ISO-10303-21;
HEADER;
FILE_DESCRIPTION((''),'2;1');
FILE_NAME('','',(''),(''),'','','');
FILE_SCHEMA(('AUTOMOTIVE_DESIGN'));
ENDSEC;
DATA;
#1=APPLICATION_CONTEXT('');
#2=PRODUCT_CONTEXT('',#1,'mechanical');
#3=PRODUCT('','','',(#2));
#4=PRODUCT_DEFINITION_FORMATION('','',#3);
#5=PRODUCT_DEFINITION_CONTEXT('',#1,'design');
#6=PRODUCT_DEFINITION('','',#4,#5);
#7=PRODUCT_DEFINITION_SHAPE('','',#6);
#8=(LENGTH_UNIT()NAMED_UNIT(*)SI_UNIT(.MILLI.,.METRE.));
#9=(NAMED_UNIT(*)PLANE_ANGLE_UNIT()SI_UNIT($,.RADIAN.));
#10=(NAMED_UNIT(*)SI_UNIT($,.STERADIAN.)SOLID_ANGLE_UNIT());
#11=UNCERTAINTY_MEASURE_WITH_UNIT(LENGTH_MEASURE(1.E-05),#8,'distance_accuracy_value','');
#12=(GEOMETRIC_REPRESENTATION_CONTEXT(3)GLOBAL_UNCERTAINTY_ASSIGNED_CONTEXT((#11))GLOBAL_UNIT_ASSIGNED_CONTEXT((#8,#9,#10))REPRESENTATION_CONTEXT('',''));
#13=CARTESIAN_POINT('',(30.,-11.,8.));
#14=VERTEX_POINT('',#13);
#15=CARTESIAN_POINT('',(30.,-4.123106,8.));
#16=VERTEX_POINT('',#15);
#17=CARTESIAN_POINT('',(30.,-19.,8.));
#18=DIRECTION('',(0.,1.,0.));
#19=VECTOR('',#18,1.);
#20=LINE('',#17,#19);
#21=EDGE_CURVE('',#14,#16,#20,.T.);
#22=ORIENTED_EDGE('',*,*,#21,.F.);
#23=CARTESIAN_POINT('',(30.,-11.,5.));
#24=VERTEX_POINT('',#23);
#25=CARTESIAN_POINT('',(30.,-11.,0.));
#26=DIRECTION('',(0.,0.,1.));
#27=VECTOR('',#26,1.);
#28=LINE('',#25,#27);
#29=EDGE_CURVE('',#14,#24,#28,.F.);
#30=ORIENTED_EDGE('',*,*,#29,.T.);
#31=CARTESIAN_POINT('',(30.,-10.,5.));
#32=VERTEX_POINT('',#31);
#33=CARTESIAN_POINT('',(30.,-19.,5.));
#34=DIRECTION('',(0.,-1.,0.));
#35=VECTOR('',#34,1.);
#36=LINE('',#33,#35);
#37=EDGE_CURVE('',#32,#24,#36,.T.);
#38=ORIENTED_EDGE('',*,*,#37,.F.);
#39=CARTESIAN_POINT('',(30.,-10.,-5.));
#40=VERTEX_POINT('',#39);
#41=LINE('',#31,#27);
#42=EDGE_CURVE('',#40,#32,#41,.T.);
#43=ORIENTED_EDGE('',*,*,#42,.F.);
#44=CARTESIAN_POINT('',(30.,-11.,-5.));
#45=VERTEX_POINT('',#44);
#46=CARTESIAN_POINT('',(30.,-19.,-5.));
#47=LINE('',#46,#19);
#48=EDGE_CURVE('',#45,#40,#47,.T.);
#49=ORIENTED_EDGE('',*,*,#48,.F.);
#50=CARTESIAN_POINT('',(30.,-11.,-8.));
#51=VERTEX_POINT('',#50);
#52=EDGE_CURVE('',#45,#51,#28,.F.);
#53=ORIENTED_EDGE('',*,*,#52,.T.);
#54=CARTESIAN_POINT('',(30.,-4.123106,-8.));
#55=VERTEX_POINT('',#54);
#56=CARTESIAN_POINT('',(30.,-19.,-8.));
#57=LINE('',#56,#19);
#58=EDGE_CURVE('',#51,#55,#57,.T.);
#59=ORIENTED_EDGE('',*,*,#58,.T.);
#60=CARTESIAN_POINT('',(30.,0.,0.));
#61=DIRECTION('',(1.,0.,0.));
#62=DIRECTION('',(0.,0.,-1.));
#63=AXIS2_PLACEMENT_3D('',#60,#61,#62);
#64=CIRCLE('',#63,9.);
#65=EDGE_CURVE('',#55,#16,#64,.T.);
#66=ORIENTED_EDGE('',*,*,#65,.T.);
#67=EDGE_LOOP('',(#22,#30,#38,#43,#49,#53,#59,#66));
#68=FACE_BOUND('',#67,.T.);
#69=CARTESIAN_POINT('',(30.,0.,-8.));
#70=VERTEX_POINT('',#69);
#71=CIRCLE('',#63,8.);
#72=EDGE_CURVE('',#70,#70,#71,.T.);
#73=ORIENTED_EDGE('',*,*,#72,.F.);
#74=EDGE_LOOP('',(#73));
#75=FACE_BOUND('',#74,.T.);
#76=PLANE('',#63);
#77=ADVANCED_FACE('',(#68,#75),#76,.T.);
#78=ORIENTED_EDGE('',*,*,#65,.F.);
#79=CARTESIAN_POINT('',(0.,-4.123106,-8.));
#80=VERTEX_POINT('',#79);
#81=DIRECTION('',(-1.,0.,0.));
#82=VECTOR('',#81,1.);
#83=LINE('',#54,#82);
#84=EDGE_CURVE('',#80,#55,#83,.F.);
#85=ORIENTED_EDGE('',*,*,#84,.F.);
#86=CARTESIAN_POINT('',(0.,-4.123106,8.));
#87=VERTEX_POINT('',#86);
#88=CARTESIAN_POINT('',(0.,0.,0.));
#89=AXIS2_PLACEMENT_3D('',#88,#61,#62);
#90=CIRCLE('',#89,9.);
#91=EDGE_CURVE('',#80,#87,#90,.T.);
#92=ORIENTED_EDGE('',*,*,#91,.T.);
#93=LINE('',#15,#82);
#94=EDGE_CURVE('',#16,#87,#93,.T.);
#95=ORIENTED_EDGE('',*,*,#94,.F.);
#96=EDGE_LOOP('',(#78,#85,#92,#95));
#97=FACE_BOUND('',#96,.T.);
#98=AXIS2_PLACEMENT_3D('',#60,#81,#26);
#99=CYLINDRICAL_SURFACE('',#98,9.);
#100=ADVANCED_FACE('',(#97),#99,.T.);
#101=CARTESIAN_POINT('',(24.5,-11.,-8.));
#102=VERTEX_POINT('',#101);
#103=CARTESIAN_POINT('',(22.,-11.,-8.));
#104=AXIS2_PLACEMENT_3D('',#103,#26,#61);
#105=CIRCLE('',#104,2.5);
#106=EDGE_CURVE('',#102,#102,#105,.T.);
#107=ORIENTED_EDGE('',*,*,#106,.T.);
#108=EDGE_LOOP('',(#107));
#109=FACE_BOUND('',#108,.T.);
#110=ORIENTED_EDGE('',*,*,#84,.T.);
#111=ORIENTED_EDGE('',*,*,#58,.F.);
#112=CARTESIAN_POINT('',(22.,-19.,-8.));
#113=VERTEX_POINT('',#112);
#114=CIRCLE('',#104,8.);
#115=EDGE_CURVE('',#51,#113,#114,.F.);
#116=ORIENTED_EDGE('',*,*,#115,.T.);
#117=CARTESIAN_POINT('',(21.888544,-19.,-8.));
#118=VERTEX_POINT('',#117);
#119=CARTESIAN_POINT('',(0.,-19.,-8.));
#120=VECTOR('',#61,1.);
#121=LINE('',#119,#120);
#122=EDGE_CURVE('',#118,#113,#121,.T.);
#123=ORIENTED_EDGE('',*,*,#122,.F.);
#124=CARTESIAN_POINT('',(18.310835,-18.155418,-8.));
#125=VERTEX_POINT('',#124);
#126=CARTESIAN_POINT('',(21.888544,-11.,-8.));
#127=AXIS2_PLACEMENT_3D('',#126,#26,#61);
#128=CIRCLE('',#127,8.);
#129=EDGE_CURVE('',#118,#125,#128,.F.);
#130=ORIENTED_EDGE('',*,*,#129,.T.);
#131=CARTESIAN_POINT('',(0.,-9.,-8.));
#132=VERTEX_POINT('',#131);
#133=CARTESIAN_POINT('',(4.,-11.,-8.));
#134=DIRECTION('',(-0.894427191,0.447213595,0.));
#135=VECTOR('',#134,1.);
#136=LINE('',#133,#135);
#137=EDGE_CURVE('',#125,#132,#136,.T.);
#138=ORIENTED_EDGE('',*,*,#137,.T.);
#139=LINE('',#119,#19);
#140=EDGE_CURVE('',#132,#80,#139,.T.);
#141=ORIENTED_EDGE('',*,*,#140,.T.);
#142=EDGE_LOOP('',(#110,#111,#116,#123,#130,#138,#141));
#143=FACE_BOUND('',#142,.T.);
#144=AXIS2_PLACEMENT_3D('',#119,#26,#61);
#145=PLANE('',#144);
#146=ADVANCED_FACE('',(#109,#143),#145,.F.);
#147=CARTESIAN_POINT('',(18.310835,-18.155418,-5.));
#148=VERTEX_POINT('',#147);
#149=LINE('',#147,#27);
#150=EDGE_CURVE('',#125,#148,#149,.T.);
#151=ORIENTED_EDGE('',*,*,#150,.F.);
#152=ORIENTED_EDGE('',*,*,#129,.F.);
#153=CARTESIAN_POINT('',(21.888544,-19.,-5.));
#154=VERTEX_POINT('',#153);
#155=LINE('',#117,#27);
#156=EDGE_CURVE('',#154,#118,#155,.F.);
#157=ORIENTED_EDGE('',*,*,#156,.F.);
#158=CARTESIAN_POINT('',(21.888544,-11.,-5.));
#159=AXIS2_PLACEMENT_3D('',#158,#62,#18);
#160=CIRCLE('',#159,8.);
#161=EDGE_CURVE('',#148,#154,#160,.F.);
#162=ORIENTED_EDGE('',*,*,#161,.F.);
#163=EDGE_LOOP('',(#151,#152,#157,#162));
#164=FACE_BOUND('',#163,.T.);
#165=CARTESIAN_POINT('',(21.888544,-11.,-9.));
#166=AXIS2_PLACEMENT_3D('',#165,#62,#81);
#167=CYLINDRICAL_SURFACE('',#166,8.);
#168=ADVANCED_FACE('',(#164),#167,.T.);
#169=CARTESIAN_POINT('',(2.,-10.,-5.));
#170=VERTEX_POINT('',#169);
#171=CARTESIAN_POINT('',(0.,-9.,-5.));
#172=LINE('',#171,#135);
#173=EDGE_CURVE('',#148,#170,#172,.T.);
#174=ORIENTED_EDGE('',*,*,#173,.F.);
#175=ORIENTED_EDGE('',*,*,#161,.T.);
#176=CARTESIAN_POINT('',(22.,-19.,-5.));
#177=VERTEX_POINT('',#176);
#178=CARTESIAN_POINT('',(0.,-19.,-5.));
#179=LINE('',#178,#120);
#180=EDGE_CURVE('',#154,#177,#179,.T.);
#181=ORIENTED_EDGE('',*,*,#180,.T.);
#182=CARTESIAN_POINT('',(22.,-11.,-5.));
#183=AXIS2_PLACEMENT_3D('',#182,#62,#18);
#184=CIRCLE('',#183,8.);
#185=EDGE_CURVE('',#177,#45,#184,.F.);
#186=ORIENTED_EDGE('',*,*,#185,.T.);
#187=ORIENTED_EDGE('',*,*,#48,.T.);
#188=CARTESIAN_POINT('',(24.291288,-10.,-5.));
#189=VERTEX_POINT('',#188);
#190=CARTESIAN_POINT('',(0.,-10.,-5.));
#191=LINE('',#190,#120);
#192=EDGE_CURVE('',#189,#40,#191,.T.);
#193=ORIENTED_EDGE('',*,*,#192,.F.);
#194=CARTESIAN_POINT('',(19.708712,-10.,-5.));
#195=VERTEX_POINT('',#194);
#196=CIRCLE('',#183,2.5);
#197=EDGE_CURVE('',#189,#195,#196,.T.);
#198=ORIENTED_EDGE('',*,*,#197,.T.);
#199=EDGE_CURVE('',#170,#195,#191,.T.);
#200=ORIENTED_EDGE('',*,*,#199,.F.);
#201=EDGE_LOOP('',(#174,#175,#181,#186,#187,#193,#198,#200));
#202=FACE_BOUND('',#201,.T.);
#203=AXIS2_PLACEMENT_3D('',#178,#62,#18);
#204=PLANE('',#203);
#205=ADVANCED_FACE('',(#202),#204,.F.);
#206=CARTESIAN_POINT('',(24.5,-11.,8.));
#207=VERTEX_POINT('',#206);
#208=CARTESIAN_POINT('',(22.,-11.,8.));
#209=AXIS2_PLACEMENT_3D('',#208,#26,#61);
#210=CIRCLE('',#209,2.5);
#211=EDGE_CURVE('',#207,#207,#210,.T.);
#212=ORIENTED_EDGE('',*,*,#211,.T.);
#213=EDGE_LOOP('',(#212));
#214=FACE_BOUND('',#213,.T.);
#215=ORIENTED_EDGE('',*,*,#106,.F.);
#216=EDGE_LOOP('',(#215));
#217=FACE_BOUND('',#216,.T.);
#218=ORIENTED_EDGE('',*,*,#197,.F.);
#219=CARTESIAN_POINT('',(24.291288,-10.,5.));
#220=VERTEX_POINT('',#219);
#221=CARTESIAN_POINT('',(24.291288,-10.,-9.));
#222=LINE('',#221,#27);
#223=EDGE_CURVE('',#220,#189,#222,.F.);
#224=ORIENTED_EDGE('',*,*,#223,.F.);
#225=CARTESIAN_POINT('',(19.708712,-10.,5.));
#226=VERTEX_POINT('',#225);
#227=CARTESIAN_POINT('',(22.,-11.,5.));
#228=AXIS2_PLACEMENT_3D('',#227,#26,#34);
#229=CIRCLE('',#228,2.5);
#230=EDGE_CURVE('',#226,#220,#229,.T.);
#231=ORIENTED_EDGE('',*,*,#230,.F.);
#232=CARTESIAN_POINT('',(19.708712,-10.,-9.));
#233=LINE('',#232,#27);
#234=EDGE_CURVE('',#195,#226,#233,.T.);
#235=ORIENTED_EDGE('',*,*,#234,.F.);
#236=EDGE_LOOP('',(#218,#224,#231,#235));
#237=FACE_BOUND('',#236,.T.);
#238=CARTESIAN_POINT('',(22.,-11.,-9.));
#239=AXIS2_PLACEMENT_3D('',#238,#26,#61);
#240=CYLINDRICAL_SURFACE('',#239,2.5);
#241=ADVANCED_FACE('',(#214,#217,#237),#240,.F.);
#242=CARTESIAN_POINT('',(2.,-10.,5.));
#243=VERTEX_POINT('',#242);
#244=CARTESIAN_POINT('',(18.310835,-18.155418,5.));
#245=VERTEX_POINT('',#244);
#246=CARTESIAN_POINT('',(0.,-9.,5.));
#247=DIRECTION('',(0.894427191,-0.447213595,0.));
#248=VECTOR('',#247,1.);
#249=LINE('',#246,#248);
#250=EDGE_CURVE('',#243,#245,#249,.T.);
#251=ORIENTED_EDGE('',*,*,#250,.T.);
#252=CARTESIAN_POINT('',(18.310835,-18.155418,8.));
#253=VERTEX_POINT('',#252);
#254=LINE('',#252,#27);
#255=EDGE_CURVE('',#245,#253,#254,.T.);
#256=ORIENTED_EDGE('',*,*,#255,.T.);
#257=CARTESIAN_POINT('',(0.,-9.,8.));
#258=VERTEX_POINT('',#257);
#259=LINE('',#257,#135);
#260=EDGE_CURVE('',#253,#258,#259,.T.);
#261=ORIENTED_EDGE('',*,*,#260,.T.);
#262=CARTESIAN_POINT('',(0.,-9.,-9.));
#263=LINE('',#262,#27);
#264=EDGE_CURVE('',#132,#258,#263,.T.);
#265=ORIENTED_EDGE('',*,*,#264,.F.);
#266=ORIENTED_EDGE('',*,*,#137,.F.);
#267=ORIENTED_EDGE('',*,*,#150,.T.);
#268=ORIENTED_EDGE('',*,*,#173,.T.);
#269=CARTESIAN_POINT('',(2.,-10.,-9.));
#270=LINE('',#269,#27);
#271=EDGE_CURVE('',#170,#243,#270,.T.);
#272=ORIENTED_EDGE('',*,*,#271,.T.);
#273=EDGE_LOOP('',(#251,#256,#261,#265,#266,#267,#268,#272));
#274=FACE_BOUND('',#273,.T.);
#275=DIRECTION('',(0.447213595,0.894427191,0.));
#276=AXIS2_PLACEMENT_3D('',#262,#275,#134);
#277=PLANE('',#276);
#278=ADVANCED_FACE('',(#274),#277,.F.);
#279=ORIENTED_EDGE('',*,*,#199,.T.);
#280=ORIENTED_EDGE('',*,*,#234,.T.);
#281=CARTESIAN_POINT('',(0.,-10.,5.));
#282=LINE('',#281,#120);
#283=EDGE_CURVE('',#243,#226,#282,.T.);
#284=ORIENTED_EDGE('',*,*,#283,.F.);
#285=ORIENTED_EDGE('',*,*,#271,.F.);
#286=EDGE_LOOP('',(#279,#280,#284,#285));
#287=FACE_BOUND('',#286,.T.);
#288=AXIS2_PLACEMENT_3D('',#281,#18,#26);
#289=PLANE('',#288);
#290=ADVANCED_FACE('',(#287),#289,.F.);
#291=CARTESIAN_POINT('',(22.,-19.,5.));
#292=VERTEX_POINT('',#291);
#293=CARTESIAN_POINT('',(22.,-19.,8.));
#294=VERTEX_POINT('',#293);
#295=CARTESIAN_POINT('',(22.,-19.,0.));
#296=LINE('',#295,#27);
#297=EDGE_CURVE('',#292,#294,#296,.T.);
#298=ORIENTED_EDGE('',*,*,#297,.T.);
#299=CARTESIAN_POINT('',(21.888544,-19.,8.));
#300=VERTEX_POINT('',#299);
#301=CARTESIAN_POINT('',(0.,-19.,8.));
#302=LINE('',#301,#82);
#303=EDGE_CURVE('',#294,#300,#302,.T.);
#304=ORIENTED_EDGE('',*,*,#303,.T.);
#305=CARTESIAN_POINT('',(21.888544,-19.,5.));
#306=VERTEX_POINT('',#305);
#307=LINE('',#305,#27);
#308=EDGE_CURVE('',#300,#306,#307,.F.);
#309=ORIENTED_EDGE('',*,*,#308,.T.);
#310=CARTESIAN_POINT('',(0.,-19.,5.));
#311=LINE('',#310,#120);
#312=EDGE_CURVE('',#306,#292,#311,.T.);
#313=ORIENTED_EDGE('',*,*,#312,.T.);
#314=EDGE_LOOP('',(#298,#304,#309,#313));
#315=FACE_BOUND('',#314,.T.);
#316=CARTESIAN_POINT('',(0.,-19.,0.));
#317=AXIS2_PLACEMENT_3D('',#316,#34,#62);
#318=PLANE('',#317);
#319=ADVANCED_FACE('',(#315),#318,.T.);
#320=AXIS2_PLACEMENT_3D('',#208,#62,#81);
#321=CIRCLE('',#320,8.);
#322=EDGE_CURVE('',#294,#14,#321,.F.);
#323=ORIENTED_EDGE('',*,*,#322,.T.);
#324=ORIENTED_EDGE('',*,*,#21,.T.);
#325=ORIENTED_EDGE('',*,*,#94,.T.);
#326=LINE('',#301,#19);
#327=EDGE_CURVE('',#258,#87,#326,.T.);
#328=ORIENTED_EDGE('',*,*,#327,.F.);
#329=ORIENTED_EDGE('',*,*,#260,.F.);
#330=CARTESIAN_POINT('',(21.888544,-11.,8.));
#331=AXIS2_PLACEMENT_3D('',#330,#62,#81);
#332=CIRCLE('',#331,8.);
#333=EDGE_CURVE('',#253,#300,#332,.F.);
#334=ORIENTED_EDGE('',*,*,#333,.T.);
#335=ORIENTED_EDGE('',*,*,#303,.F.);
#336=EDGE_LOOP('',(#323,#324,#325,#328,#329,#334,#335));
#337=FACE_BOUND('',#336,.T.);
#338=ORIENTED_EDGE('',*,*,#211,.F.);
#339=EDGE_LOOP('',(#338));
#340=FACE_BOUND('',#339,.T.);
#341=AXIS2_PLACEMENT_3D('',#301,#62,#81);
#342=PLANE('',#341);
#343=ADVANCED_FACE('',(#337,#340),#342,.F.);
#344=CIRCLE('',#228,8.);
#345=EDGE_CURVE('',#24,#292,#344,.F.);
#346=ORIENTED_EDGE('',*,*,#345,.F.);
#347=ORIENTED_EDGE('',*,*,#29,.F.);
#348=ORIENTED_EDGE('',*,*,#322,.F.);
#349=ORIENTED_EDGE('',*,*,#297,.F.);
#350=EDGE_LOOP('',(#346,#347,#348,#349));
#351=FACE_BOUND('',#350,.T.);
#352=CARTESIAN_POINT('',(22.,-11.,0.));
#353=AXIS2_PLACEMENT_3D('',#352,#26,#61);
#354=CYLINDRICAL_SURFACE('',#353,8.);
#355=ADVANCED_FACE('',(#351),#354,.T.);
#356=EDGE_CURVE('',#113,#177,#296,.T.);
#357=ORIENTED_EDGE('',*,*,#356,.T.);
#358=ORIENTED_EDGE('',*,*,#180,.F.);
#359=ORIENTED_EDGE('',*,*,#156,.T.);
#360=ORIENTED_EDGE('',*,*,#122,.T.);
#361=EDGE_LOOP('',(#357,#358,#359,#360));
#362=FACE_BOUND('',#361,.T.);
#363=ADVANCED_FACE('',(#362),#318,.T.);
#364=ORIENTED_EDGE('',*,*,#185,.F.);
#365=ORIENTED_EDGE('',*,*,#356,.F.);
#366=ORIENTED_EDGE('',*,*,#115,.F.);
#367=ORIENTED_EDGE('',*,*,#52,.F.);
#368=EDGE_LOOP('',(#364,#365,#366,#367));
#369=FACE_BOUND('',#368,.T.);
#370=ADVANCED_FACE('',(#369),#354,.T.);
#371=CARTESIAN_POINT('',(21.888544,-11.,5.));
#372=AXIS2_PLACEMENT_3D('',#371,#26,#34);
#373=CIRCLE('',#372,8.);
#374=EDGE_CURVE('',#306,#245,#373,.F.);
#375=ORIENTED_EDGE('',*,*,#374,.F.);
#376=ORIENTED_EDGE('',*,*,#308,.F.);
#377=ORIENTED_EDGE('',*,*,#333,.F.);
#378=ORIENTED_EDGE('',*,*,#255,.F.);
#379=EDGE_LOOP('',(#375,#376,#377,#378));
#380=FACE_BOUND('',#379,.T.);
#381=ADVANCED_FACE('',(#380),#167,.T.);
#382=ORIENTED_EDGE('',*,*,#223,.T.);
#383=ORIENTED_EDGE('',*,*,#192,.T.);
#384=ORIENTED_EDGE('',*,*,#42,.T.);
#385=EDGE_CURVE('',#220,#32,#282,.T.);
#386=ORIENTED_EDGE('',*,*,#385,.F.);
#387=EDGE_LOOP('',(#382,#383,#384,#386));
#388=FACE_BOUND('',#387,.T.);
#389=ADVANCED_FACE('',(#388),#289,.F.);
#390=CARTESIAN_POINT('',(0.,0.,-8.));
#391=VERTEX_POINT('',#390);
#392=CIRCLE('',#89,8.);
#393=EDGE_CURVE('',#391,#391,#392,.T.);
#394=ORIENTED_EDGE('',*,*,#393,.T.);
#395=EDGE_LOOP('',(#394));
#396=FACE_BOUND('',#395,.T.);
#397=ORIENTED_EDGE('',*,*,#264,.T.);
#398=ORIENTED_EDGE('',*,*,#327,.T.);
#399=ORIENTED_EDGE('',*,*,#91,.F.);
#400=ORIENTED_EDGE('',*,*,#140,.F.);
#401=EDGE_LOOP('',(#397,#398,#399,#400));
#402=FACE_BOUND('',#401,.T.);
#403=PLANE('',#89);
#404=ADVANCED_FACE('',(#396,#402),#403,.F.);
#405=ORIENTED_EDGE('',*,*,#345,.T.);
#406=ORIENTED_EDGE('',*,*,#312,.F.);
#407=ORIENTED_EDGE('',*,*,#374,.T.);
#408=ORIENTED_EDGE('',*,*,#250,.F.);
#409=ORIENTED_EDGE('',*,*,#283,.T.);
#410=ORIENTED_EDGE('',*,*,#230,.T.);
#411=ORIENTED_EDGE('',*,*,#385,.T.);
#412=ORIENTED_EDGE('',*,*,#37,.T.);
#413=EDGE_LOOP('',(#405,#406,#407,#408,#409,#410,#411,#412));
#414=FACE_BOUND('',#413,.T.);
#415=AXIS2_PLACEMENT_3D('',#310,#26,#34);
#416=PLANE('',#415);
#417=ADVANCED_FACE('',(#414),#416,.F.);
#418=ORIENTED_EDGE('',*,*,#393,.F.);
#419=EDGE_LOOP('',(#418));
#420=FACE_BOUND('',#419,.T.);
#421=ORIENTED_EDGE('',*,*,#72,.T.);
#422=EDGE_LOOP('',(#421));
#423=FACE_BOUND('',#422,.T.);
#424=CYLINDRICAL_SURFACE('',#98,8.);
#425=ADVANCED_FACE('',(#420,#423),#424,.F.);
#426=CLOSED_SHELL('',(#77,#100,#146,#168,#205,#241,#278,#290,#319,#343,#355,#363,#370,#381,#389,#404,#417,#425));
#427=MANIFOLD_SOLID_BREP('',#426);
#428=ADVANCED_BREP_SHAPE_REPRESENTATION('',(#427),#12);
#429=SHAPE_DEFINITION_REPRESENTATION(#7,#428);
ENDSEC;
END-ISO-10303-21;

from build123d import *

# Parameters (mm, degrees)
SKETCH1_R                       = 9
SKETCH1_R_2                     = 8
BOSS_EXTRUDE1_DEPTH             = 30
SKETCH2_W                       = 30
SKETCH2_H                       = 16
BOSS_EXTRUDE2_DEPTH             = 10
BOSS_EXTRUDE2_DIRECTION_2_REACH = 38.125
CUT_EXTRUDE1_DEPTH              = 40.37003937
SKETCH4_W                       = 10
SKETCH4_H                       = 9
CUT_EXTRUDE2_DEPTH              = 37.633318168
FILLET1_R                       = 8
SKETCH5_R                       = 2.5
CUT_EXTRUDE3_DEPTH              = 40.37003937


with BuildPart() as part:
    # Sketch1 → Boss-Extrude1 (new body)
    with BuildSketch(Plane(origin=(0, 0, 0), x_dir=(0, 0, -1), z_dir=(1, 0, 0))):
        Circle(SKETCH1_R)
        Circle(SKETCH1_R_2, mode=Mode.SUBTRACT)
    extrude(amount=BOSS_EXTRUDE1_DEPTH)

    # Sketch2 → Boss-Extrude2 (add)
    with BuildSketch(Plane(origin=(0, -9, 0), x_dir=(-1, 0, 0), z_dir=(0, -1, 0))):
        with Locations((-15, 0)):
            Rectangle(SKETCH2_W, SKETCH2_H)
    extrude(amount=BOSS_EXTRUDE2_DEPTH)

    # Sketch2 → Boss-Extrude2 direction 2 (add, up to next)
    with BuildSketch(Plane(origin=(0, -9, 0), x_dir=(-1, 0, 0), z_dir=(0, -1, 0)), mode=Mode.PRIVATE) as boss_extrude2_direction_2_sk1:
        with Locations((-15, 0)):
            Rectangle(SKETCH2_W, SKETCH2_H)
    boss_extrude2_direction_2_tool1 = extrude(boss_extrude2_direction_2_sk1.sketch, amount=-BOSS_EXTRUDE2_DIRECTION_2_REACH, mode=Mode.PRIVATE) - part.part
    add(boss_extrude2_direction_2_tool1.solids().sort_by_distance((15, -9, 0))[0])
    add(boss_extrude2_direction_2_tool1.solids().sort_by_distance((15, -9, 0))[1])

    # Sketch3 → Cut-Extrude1 (cut, through all)
    with BuildSketch(Plane.XY.offset(8)):
        Polygon((0, -19), (0, -9), (20, -19), align=None)
    extrude(amount=-CUT_EXTRUDE1_DEPTH, mode=Mode.SUBTRACT)

    # Sketch4 → Cut-Extrude2 (cut, through all)
    with BuildSketch(Plane(origin=(30, 0, 0), x_dir=(0, 0, -1), z_dir=(1, 0, 0))):
        with Locations((0, -14.5)):
            Rectangle(SKETCH4_W, SKETCH4_H)
    extrude(amount=-CUT_EXTRUDE2_DEPTH, mode=Mode.SUBTRACT)

    # Fillet1
    fillet1_edges = [part.edges().sort_by_distance(p)[0] for p in [
        (30, -19, -6.5),
        (20, -19, -6.5),
        (20, -19, 6.5),
        (30, -19, 6.5),
    ]]
    fillet(fillet1_edges, radius=FILLET1_R)

    # Sketch5 → Cut-Extrude3 (cut, through all)
    with BuildSketch(Plane.XY.offset(8)):
        with Locations((22, -11)):
            Circle(SKETCH5_R)
    extrude(amount=-CUT_EXTRUDE3_DEPTH, mode=Mode.SUBTRACT)


solid = part.part
